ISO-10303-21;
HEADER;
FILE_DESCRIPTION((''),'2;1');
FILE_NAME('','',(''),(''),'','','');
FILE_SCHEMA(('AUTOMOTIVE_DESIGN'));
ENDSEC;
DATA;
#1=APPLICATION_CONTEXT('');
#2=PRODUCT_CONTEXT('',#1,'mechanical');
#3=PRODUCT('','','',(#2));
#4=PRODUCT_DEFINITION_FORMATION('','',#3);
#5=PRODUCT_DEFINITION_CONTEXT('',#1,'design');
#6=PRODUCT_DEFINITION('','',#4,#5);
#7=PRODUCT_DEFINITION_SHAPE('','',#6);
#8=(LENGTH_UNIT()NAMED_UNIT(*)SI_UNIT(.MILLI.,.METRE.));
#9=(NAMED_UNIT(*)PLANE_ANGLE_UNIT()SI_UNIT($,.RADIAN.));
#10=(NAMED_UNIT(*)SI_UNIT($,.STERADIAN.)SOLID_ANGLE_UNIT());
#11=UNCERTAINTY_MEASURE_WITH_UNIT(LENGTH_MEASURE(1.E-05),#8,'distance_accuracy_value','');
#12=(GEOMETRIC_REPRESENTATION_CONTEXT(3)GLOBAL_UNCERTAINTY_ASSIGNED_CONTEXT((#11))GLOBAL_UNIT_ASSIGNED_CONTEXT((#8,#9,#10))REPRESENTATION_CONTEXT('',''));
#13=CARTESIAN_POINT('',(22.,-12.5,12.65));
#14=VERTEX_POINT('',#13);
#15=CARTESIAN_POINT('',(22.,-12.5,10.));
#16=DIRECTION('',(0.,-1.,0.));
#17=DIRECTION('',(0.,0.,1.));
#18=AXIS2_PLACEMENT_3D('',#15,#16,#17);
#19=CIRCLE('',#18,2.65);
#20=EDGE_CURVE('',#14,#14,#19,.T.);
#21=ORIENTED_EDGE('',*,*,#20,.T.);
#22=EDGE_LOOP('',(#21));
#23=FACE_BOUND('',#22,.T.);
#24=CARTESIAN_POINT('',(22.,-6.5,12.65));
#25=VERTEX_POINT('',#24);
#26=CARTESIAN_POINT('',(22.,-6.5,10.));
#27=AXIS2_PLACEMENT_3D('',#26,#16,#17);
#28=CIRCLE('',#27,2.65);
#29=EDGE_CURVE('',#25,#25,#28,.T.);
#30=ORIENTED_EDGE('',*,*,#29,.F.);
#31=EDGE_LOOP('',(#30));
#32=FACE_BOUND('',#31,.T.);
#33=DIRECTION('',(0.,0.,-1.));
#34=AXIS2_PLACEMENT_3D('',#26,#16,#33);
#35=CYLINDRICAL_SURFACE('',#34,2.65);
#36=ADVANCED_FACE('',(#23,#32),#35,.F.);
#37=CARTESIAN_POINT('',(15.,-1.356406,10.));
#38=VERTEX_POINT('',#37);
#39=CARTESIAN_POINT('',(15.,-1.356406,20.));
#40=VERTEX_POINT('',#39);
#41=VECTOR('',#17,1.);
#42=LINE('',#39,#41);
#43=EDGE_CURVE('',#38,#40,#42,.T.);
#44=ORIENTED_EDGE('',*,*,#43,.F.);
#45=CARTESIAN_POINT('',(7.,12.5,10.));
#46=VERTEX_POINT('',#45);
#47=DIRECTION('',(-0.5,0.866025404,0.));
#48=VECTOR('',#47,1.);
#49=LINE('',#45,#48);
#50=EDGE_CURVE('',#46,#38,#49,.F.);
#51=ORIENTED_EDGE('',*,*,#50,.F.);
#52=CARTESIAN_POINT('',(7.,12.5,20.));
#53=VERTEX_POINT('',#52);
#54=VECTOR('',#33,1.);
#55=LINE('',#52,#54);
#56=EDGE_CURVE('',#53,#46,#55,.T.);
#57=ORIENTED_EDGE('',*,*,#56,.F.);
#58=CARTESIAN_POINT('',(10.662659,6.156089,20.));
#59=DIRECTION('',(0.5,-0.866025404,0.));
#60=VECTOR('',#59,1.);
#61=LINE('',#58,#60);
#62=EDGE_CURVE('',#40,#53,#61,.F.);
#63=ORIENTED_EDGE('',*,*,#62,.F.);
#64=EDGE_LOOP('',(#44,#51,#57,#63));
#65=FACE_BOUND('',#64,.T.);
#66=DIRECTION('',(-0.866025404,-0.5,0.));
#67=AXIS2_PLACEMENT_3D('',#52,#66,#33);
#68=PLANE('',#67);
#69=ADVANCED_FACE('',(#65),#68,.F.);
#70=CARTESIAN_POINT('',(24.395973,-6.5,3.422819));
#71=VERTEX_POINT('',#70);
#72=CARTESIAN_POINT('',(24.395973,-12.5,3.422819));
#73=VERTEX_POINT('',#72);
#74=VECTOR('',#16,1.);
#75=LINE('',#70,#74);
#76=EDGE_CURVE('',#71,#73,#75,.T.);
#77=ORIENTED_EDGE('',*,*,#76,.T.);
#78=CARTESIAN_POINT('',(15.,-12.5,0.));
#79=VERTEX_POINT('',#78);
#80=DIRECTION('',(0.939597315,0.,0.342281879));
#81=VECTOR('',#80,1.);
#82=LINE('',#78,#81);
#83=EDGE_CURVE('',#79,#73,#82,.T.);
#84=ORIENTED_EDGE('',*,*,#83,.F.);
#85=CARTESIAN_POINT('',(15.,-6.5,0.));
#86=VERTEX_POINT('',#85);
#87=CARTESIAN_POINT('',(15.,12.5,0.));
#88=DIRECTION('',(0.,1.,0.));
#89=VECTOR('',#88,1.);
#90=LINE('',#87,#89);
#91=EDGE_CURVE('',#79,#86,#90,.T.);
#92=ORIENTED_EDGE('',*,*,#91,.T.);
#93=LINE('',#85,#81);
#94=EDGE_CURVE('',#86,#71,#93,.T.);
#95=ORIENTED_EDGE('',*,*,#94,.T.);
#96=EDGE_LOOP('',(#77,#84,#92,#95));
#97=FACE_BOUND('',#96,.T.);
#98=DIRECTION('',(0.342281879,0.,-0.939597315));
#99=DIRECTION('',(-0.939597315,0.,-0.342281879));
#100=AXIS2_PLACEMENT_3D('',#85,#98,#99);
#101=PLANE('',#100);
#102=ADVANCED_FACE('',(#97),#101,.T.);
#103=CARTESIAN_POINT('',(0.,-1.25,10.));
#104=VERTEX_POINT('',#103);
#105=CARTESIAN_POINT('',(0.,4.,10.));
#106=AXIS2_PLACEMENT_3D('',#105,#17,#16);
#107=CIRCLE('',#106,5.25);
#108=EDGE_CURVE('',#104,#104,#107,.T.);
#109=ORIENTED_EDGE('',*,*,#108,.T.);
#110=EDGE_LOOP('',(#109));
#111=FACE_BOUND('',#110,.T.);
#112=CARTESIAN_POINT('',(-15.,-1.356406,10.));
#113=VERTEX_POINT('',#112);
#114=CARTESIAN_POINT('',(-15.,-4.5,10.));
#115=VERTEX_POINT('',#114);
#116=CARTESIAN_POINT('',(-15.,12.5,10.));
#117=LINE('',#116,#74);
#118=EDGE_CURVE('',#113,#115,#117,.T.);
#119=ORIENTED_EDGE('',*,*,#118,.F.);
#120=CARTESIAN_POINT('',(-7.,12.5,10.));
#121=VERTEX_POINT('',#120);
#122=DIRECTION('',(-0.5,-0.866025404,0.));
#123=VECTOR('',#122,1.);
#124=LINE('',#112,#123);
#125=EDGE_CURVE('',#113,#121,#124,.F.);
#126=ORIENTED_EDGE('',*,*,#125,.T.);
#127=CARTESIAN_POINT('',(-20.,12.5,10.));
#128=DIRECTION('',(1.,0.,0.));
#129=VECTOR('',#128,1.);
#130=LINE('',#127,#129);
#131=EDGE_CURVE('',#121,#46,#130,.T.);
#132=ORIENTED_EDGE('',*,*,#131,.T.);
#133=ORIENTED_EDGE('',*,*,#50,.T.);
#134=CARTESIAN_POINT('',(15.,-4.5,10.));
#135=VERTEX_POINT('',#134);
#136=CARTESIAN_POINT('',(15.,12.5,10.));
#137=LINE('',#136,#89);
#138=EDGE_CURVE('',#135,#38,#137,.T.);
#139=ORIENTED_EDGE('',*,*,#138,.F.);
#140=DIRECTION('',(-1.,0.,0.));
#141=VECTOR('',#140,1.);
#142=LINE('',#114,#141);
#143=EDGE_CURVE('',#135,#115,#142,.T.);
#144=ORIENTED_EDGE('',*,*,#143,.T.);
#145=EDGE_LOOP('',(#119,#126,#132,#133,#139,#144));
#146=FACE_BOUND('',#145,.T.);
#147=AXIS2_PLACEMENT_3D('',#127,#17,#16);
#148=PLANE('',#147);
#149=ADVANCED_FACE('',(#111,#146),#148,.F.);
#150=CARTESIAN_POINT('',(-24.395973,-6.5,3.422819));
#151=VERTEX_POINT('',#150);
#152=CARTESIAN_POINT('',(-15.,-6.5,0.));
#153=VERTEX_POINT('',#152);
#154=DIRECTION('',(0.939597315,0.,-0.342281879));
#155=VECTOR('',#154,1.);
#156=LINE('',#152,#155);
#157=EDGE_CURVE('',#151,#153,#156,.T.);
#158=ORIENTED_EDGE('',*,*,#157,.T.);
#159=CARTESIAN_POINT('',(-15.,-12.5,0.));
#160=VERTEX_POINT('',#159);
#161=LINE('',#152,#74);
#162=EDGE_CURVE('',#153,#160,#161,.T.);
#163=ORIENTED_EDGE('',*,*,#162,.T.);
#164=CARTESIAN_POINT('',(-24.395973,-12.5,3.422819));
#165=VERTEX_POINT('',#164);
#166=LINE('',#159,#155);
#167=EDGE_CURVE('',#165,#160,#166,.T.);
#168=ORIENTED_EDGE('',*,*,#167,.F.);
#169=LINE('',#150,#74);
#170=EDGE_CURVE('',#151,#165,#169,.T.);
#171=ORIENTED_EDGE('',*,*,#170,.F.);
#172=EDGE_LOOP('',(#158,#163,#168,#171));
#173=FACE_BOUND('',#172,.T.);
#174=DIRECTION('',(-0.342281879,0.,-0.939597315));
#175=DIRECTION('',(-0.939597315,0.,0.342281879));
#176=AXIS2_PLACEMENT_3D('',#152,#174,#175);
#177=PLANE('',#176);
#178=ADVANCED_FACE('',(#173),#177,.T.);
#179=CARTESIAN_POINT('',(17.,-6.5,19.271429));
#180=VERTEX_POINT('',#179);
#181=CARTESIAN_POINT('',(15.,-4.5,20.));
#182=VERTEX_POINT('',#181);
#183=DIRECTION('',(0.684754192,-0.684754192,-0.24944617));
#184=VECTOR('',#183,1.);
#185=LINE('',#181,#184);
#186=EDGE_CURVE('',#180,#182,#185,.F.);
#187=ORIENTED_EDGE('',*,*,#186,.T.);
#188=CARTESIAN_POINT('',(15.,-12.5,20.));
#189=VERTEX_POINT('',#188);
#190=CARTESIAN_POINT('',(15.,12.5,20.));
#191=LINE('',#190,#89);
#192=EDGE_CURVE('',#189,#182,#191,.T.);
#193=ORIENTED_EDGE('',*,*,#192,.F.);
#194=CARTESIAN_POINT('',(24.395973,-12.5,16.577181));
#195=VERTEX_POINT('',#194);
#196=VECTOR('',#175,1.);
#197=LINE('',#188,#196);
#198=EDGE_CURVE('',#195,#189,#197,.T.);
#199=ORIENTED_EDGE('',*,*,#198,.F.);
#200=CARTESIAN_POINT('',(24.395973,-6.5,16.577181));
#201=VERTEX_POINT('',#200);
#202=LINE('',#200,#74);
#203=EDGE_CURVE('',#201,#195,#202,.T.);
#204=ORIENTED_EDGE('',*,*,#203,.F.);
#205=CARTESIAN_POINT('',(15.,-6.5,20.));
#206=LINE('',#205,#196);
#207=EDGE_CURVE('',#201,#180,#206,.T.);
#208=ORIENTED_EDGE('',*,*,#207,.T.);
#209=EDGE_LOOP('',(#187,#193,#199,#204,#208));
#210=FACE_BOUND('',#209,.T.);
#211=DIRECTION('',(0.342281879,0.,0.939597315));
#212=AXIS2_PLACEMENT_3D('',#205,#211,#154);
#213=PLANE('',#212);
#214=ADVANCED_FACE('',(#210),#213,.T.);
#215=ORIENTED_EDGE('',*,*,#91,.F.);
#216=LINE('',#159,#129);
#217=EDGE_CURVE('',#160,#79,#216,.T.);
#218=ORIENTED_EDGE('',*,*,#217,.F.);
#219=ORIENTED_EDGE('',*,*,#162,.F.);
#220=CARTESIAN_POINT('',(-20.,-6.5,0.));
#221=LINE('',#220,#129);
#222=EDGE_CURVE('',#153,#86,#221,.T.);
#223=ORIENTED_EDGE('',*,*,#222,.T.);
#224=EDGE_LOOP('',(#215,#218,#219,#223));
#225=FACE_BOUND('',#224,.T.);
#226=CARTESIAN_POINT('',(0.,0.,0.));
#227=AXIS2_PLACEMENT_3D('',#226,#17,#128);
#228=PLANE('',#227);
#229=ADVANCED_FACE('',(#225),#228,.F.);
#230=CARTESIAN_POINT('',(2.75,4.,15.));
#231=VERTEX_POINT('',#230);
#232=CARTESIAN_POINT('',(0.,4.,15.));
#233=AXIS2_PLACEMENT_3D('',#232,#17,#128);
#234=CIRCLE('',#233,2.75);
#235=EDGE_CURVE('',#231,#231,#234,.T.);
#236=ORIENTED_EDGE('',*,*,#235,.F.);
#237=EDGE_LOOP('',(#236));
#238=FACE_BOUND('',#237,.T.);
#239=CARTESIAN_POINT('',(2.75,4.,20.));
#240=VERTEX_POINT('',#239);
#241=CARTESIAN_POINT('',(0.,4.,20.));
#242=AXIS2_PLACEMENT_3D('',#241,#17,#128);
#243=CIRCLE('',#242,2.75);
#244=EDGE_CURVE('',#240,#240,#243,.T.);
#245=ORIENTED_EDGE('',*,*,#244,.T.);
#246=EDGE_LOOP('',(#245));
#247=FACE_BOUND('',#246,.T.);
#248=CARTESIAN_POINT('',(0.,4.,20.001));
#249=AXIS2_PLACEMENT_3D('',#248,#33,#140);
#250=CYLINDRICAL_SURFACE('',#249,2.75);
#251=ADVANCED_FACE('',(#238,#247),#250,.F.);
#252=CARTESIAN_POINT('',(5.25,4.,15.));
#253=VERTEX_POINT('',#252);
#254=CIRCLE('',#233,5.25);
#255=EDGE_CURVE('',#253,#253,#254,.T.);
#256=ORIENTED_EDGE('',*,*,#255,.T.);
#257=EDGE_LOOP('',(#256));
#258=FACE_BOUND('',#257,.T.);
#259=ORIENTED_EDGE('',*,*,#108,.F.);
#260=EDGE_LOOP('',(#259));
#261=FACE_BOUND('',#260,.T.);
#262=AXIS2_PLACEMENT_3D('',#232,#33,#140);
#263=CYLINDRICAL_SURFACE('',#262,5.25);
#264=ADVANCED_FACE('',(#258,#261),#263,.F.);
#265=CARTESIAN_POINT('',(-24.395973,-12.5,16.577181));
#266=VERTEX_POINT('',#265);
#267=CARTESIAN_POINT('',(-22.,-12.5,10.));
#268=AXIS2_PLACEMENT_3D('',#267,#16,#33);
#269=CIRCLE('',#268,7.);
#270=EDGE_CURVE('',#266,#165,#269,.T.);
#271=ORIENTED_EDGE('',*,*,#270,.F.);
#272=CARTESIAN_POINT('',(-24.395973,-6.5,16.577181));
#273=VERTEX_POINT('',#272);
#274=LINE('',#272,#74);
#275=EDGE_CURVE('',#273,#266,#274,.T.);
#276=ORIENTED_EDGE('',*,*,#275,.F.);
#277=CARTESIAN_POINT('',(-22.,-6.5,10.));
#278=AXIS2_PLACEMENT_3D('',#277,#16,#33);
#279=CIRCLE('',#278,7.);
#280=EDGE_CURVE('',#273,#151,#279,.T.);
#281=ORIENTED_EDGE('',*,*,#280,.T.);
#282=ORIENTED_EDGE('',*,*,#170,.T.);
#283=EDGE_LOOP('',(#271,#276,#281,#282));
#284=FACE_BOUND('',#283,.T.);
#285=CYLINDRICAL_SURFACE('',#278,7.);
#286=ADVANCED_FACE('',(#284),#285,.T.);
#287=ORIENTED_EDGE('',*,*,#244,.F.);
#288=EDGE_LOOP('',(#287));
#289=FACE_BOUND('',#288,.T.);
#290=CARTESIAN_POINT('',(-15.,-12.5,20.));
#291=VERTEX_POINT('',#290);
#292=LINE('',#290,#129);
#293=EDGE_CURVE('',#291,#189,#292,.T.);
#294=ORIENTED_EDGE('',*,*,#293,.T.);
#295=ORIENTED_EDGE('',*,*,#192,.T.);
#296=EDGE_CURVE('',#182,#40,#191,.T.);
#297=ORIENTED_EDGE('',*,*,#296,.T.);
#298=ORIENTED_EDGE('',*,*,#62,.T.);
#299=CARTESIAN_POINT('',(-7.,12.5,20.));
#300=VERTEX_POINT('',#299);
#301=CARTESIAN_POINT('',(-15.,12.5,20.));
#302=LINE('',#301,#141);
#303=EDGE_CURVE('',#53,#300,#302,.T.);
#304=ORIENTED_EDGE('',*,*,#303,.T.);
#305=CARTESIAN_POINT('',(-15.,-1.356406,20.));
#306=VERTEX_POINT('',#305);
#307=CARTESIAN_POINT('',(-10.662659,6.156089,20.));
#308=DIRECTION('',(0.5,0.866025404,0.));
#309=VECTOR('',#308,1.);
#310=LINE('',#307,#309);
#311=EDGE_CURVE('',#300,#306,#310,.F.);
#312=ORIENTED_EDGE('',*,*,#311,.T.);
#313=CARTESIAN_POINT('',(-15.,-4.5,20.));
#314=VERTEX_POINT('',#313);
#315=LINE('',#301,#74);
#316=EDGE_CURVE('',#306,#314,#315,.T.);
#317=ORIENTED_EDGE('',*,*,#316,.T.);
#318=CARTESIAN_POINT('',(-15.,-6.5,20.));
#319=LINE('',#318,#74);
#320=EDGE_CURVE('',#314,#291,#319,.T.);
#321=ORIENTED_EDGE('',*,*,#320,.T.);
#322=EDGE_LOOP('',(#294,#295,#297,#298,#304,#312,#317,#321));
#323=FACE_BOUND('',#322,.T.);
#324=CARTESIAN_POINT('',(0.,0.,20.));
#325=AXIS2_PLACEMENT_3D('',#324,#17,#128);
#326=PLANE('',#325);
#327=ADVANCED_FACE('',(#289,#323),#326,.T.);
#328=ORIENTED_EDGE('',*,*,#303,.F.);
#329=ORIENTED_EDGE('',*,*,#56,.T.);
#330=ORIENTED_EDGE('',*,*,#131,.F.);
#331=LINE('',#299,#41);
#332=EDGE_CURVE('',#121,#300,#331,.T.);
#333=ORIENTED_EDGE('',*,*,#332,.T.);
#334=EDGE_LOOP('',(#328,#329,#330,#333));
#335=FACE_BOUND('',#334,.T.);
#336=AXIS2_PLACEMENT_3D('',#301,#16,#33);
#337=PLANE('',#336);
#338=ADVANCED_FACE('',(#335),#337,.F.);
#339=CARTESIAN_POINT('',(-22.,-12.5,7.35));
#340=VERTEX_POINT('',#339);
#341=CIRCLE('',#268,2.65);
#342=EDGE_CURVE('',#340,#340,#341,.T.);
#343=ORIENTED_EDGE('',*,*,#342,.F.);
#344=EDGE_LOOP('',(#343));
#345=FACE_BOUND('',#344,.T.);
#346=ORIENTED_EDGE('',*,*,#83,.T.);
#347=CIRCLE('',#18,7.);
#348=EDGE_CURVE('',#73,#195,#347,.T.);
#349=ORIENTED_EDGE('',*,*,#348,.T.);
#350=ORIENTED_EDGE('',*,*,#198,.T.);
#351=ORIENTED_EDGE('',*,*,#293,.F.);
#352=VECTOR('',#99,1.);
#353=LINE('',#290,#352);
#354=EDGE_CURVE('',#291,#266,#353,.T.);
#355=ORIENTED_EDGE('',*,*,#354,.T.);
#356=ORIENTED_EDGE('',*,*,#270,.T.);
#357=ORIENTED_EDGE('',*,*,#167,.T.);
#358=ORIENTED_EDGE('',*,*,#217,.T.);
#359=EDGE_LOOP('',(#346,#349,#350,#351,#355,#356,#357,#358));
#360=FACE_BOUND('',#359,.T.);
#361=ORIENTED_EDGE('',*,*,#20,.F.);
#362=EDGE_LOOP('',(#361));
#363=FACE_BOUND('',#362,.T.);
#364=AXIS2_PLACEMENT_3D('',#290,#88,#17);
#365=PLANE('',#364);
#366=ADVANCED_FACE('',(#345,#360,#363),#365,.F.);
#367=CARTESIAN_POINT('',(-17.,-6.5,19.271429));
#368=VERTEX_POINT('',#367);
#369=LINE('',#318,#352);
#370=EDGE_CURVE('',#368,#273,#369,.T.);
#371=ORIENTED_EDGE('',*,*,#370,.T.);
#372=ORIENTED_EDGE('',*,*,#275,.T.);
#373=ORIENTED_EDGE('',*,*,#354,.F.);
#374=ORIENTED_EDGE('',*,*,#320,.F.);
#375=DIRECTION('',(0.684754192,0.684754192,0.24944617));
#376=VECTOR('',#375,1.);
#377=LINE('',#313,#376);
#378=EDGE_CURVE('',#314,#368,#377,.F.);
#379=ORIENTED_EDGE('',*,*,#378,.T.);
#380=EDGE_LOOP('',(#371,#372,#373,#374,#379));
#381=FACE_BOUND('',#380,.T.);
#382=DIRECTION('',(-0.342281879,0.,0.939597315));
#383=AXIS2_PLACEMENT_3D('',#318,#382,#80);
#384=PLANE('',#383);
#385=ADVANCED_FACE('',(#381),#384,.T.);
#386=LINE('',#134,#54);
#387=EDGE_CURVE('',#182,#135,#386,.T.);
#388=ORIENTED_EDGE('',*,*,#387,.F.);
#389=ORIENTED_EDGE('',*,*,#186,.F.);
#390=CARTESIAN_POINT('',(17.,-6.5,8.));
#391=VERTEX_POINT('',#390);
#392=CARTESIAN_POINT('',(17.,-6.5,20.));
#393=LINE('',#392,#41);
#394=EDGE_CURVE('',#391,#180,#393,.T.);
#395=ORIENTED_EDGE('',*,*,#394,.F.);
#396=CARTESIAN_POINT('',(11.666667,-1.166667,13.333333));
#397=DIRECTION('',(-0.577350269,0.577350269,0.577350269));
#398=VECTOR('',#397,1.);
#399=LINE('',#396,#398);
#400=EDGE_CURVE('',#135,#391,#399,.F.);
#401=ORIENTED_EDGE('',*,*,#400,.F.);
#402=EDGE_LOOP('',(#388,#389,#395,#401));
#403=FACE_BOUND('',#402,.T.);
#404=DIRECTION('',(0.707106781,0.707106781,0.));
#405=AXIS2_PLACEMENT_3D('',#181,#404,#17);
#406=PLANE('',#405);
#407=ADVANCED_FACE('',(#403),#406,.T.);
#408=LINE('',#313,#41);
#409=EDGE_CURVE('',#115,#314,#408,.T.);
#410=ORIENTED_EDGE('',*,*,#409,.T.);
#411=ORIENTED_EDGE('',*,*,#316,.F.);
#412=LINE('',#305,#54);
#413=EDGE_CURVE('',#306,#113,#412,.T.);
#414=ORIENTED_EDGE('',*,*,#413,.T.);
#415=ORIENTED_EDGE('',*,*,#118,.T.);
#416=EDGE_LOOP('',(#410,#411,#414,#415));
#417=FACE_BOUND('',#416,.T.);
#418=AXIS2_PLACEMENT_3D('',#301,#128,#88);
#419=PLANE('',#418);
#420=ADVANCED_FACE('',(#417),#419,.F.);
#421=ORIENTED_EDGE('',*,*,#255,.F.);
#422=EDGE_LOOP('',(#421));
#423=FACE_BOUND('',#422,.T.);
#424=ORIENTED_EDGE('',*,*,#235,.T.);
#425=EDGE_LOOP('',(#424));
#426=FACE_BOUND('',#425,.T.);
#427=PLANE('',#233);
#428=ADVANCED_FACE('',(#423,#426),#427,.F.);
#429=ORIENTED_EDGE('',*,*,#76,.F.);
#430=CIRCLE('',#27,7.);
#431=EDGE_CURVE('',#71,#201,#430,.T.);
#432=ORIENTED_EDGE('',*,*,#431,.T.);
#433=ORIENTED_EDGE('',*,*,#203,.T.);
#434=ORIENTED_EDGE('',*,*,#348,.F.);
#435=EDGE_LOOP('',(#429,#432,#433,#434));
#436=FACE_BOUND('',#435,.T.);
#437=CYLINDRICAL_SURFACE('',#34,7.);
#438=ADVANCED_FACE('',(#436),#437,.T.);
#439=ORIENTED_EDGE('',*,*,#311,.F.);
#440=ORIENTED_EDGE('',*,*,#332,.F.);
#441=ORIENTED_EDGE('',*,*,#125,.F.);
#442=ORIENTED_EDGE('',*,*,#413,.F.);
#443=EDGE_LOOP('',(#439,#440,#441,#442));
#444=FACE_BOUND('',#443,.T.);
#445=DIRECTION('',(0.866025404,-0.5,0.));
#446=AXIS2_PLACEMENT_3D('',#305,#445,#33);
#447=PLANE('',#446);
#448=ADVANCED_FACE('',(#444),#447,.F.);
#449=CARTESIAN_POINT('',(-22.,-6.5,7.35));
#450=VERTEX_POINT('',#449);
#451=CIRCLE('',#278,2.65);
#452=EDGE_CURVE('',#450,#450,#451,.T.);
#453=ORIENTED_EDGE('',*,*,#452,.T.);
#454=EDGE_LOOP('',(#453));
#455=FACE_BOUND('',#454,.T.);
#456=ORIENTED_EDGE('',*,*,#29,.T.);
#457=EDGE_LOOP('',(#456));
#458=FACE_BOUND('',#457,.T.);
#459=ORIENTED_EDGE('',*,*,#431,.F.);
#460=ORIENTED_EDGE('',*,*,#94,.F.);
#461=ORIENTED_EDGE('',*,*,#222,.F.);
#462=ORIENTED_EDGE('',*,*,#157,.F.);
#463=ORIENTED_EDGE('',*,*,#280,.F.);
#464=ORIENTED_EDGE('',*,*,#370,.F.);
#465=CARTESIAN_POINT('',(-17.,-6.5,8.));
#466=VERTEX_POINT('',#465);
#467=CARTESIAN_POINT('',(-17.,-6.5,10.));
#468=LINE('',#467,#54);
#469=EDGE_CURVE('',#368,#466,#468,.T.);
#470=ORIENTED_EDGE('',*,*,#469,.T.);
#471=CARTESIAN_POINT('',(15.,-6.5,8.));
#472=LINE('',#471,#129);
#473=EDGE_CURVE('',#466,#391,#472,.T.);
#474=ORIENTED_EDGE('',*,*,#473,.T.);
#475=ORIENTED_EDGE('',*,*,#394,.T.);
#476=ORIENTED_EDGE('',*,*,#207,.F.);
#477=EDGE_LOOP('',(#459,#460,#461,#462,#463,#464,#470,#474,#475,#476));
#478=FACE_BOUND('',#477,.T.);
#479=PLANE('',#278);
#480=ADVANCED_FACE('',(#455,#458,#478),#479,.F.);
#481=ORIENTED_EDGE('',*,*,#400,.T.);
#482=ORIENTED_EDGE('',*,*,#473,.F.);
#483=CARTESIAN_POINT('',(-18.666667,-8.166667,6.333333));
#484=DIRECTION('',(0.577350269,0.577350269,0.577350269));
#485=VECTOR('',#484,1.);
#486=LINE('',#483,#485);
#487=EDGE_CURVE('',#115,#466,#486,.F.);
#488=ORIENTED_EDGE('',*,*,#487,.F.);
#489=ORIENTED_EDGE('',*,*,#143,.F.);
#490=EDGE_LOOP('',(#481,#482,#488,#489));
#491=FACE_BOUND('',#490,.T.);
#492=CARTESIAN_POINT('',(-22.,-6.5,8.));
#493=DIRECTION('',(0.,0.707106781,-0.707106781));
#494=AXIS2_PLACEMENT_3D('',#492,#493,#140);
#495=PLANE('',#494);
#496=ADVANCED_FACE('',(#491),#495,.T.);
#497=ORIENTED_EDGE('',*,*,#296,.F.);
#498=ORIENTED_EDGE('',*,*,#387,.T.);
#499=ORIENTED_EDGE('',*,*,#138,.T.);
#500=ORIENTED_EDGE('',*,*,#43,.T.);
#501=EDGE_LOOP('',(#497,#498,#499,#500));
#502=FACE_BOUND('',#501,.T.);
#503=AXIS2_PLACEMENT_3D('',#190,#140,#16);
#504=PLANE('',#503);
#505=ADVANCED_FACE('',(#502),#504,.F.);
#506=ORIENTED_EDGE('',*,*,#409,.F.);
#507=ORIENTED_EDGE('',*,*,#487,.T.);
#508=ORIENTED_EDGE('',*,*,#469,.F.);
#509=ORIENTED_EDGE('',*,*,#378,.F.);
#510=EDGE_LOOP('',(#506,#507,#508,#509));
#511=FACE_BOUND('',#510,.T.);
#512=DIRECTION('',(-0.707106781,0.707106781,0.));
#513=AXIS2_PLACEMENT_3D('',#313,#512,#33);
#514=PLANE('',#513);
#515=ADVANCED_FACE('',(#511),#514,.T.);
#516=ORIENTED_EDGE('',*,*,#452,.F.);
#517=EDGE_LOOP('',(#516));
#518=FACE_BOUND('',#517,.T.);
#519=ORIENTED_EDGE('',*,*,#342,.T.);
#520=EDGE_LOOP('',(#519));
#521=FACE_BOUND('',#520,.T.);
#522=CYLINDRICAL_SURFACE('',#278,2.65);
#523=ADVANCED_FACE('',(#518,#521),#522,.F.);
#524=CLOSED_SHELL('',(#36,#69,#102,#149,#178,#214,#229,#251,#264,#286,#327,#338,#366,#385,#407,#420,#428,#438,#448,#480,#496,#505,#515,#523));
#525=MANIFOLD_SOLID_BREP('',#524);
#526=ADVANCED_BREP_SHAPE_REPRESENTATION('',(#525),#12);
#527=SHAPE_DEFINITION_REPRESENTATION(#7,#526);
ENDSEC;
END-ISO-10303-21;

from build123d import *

# Parameters (mm, degrees)
SKETCH1_W           = 30
SKETCH1_H           = 25
BOSS_EXTRUDE1_DEPTH = 20
SKETCH2_R           = 5.25
CUT_EXTRUDE1_DEPTH  = 15
CUT_EXTRUDE2_REACH  = 29.951
SKETCH3_R           = 2.75
SKETCH4_R           = 2.65
BOSS_EXTRUDE2_DEPTH = 6
CHAMFER1_SIZE       = 8
CHAMFER1_SIZE2      = 13.856406461
SKETCH5_W           = 10
SKETCH5_H           = 19
CUT_EXTRUDE3_DEPTH  = 20
CHAMFER2_SIZE       = 2


with BuildPart() as part:
    # Sketch1 → Boss-Extrude1 (new body)
    with BuildSketch(Plane.XY):
        Rectangle(SKETCH1_W, SKETCH1_H)
    extrude(amount=BOSS_EXTRUDE1_DEPTH)

    # Sketch2 → Cut-Extrude1 (cut)
    with BuildSketch(Plane.XY):
        with Locations((0, 4)):
            Circle(SKETCH2_R)
    extrude(amount=CUT_EXTRUDE1_DEPTH, mode=Mode.SUBTRACT)

    # Sketch3 → Cut-Extrude2 (cut, up to next)
    with BuildSketch(Plane.XY, mode=Mode.PRIVATE) as cut_extrude2_sk1:
        with Locations((0, 4)):
            Circle(SKETCH3_R)
    cut_extrude2_tool1 = extrude(cut_extrude2_sk1.sketch, amount=CUT_EXTRUDE2_REACH, mode=Mode.PRIVATE) & part.part
    add(cut_extrude2_tool1.solids().sort_by_distance((0, 4, 0))[0], mode=Mode.SUBTRACT)

    # Sketch4 → Boss-Extrude2 (add)
    # profile 1 of 2: a face of its own
    with BuildSketch(Plane.XZ.offset(12.5)):
        with BuildLine():
            Line((-15, 20), (-24.395973154, 16.577181208))
            ThreePointArc((-24.395973154, 16.577181208), (-29, 10), (-24.395973154, 3.422818792))
            Line((-24.395973154, 3.422818792), (-15, 0))
            Line((-15, 0), (-15, 20))
        make_face()
        with Locations(Location((-22, 10, 0), (0, 0, 270))):
            Circle(SKETCH4_R, mode=Mode.SUBTRACT)
    # profile 2 of 2: a face of its own
    with BuildSketch(Plane.XZ.offset(12.5)):
        with BuildLine():
            Line((15, 0), (24.395973154, 3.422818792))
            ThreePointArc((24.395973154, 3.422818792), (29, 10), (24.395973154, 16.577181208))
            Line((24.395973154, 16.577181208), (15, 20))
            Line((15, 20), (15, 0))
        make_face()
        with Locations(Location((22, 10, 0), (0, 0, 90))):
            Circle(SKETCH4_R, mode=Mode.SUBTRACT)
    extrude(amount=-BOSS_EXTRUDE2_DEPTH)

    # Chamfer1
    chamfer1_edges = [part.edges().sort_by_distance(p)[0] for p in [
        (-15, 12.5, 10),
        (15, 12.5, 10),
    ]]
    chamfer1_side = [part.faces().sort_by_distance(p)[0] for p in [
        (0, 12.5, 10),
    ]]
    chamfer(chamfer1_edges, length=CHAMFER1_SIZE, length2=CHAMFER1_SIZE2, reference=chamfer1_side[0])

    # Sketch5 → Cut-Extrude3 (cut, symmetric)
    with BuildSketch(Plane(origin=(0, 0, 0), x_dir=(0, 0, -1), z_dir=(1, 0, 0))):
        with Locations((-5, 3)):
            Rectangle(SKETCH5_W, SKETCH5_H)
    extrude(amount=CUT_EXTRUDE3_DEPTH, both=True, mode=Mode.SUBTRACT)

    # Chamfer2
    chamfer2_edges = [part.edges().sort_by_distance(p)[0] for p in [
        (-15, -6.5, 15),
        (15, -6.5, 15),
        (0, -6.5, 10),
    ]]
    chamfer(chamfer2_edges, length=CHAMFER2_SIZE)


solid = part.part
